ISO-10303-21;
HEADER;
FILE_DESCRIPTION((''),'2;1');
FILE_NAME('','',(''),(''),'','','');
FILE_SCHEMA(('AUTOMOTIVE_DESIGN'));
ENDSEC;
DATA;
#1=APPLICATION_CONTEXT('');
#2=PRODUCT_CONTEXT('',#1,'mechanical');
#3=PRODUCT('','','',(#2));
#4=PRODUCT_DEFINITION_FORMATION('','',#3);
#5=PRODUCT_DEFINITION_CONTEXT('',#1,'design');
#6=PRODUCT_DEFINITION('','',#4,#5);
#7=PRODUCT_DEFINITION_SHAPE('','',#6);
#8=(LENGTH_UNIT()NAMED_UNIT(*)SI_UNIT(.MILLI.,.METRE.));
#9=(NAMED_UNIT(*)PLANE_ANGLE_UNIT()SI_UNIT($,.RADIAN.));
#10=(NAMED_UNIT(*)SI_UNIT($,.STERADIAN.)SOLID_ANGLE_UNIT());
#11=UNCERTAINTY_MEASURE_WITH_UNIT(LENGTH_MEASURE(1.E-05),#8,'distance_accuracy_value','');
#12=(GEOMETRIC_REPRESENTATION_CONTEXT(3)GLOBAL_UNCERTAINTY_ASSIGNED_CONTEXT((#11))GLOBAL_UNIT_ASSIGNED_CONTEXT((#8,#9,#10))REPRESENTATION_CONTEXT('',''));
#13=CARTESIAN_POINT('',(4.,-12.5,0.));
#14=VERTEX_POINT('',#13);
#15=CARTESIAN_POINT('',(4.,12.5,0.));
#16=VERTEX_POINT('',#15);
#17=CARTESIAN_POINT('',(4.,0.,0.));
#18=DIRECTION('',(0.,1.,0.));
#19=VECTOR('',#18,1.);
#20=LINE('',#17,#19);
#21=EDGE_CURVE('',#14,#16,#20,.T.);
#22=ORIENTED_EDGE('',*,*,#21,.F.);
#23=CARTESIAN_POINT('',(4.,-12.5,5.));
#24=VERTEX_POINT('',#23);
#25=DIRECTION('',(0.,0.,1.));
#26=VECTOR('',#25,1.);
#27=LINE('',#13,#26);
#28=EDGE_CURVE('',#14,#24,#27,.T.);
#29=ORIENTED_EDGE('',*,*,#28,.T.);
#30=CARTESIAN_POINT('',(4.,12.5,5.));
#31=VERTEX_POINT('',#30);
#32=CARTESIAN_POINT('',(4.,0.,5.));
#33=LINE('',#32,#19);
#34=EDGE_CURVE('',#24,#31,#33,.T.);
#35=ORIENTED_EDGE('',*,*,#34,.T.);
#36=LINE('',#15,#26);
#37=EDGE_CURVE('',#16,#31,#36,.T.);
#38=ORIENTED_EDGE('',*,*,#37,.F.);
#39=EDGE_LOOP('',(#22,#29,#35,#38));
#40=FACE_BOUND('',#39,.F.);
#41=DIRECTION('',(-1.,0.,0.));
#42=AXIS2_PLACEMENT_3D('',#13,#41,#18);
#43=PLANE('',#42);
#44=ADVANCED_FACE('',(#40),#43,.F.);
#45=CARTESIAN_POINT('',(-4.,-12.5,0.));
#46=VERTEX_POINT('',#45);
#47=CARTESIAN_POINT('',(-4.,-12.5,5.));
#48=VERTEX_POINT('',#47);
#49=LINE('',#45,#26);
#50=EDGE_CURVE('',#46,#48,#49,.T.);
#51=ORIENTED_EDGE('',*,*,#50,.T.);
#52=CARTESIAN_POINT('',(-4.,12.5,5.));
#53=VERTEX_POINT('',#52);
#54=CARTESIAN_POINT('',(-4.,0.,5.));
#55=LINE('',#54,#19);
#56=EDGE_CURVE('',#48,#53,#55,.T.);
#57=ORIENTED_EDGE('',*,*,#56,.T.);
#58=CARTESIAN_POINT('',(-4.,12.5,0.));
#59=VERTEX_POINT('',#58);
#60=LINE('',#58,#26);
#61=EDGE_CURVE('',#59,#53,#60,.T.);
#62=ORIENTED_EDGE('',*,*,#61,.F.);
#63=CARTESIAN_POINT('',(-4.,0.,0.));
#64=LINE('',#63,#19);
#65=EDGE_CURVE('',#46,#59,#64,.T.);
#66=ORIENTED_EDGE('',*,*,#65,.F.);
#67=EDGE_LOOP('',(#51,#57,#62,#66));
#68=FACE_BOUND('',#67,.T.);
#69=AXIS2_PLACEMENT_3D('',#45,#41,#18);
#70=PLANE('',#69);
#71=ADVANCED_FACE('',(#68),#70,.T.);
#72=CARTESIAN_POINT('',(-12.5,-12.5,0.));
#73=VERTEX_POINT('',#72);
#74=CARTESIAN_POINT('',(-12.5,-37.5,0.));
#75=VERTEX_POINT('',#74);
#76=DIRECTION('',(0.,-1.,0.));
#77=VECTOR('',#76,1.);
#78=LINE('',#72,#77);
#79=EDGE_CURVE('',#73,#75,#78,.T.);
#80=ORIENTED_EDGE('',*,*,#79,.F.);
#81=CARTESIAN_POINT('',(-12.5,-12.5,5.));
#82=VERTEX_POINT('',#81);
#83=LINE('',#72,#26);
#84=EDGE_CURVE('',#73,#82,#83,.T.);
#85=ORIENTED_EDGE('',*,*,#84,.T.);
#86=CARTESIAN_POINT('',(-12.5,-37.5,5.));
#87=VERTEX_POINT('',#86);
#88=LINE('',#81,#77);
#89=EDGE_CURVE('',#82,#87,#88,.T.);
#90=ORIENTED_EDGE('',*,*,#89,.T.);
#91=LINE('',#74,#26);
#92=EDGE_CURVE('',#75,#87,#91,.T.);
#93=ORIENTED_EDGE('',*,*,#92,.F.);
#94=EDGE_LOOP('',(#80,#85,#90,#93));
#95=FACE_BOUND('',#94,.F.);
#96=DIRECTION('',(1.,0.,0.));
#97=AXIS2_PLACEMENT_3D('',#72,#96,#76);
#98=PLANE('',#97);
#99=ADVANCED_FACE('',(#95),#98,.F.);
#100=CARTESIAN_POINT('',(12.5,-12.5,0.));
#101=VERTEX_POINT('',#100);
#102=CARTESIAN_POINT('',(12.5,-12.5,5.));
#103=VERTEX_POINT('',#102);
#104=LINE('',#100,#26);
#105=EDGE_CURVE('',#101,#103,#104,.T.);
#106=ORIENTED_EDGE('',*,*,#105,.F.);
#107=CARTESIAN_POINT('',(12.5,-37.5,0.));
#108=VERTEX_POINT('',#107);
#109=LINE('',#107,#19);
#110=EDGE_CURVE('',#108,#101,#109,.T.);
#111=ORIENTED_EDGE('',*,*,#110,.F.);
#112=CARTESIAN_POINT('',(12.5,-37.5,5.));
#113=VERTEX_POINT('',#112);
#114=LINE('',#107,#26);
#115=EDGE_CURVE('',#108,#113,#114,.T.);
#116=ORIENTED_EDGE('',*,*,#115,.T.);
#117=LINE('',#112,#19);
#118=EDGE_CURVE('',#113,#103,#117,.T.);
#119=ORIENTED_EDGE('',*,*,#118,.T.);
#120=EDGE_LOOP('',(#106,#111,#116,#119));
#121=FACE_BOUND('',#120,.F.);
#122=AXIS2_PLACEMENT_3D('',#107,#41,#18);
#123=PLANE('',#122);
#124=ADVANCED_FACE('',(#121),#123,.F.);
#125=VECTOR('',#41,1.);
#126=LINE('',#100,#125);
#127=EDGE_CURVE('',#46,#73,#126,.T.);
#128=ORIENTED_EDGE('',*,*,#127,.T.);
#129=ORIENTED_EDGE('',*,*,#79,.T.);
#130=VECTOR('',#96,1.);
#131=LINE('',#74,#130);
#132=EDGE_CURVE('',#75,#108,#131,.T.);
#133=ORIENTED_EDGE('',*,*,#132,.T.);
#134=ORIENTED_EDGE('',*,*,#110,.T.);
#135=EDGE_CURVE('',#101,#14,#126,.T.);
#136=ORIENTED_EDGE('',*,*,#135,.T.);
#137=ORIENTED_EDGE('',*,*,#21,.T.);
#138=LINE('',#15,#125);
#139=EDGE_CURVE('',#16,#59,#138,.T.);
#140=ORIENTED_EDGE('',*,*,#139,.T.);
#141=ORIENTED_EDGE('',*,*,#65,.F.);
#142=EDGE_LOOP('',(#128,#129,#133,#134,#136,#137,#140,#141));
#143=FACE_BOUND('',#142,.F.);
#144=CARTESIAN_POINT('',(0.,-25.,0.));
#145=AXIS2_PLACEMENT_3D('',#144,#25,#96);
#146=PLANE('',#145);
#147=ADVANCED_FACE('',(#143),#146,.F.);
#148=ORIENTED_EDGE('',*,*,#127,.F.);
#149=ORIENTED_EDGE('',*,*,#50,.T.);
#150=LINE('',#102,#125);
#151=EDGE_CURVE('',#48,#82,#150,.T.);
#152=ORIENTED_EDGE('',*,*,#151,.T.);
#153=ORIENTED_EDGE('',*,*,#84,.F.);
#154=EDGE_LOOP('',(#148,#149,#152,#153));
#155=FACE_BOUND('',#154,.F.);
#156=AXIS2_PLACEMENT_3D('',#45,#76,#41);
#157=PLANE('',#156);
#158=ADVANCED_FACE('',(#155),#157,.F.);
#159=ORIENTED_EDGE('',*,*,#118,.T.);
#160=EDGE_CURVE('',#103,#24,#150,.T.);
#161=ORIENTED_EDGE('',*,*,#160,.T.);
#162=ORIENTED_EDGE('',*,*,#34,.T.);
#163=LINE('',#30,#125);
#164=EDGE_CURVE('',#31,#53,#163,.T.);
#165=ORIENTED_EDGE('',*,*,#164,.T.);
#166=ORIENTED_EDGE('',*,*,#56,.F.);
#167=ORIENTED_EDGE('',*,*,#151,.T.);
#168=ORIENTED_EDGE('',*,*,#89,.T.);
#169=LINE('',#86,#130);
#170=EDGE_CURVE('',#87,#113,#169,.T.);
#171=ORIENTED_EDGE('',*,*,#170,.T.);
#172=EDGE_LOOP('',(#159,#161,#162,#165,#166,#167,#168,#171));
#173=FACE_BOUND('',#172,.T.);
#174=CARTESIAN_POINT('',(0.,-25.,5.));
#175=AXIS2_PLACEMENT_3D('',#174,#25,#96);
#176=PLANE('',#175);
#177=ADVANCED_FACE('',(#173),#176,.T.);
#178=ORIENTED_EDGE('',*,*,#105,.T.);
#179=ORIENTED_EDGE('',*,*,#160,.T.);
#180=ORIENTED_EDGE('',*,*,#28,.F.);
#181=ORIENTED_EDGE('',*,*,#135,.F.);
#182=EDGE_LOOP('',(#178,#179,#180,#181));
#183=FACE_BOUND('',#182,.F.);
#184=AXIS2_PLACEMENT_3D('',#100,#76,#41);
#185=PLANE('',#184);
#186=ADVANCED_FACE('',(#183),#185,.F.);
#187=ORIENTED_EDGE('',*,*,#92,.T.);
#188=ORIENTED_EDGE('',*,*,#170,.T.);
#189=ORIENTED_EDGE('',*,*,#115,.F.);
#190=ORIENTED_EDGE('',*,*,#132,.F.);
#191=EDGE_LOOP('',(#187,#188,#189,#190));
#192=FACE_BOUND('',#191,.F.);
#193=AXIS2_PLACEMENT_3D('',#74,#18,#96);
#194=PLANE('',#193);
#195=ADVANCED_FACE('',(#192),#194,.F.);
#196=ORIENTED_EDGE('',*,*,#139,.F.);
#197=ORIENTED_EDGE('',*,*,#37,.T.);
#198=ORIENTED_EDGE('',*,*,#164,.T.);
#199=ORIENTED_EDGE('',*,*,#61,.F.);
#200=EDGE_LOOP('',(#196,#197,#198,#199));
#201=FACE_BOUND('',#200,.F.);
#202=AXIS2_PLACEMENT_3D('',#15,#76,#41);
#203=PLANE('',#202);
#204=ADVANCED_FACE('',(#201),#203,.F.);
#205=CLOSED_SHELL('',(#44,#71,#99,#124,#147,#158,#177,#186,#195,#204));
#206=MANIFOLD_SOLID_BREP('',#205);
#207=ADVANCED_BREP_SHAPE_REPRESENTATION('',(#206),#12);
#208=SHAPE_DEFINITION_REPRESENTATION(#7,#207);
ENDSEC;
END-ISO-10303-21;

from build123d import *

# Parameters (mm, degrees)
F0_W     = 3.75
F0_H     = 25
F0_W_2   = 0.5
F1_DEPTH = 5


with BuildPart() as f1:
    # F0 (on Top) → F1 (new body)
    with BuildSketch(Plane.XY):
        Polygon((12.5, -12.5), (4, -12.5), (0.25, -12.5), (-0.25, -12.5), (-4, -12.5), (-12.5, -12.5), (-12.5, -37.5), (12.5, -37.5), align=None)
        with Locations((2.125, 0)):
            Rectangle(F0_W, F0_H)
        Rectangle(F0_W_2, F0_H)
        with Locations((-2.125, 0)):
            Rectangle(F0_W, F0_H)
    extrude(amount=F1_DEPTH)


solid = f1.part
